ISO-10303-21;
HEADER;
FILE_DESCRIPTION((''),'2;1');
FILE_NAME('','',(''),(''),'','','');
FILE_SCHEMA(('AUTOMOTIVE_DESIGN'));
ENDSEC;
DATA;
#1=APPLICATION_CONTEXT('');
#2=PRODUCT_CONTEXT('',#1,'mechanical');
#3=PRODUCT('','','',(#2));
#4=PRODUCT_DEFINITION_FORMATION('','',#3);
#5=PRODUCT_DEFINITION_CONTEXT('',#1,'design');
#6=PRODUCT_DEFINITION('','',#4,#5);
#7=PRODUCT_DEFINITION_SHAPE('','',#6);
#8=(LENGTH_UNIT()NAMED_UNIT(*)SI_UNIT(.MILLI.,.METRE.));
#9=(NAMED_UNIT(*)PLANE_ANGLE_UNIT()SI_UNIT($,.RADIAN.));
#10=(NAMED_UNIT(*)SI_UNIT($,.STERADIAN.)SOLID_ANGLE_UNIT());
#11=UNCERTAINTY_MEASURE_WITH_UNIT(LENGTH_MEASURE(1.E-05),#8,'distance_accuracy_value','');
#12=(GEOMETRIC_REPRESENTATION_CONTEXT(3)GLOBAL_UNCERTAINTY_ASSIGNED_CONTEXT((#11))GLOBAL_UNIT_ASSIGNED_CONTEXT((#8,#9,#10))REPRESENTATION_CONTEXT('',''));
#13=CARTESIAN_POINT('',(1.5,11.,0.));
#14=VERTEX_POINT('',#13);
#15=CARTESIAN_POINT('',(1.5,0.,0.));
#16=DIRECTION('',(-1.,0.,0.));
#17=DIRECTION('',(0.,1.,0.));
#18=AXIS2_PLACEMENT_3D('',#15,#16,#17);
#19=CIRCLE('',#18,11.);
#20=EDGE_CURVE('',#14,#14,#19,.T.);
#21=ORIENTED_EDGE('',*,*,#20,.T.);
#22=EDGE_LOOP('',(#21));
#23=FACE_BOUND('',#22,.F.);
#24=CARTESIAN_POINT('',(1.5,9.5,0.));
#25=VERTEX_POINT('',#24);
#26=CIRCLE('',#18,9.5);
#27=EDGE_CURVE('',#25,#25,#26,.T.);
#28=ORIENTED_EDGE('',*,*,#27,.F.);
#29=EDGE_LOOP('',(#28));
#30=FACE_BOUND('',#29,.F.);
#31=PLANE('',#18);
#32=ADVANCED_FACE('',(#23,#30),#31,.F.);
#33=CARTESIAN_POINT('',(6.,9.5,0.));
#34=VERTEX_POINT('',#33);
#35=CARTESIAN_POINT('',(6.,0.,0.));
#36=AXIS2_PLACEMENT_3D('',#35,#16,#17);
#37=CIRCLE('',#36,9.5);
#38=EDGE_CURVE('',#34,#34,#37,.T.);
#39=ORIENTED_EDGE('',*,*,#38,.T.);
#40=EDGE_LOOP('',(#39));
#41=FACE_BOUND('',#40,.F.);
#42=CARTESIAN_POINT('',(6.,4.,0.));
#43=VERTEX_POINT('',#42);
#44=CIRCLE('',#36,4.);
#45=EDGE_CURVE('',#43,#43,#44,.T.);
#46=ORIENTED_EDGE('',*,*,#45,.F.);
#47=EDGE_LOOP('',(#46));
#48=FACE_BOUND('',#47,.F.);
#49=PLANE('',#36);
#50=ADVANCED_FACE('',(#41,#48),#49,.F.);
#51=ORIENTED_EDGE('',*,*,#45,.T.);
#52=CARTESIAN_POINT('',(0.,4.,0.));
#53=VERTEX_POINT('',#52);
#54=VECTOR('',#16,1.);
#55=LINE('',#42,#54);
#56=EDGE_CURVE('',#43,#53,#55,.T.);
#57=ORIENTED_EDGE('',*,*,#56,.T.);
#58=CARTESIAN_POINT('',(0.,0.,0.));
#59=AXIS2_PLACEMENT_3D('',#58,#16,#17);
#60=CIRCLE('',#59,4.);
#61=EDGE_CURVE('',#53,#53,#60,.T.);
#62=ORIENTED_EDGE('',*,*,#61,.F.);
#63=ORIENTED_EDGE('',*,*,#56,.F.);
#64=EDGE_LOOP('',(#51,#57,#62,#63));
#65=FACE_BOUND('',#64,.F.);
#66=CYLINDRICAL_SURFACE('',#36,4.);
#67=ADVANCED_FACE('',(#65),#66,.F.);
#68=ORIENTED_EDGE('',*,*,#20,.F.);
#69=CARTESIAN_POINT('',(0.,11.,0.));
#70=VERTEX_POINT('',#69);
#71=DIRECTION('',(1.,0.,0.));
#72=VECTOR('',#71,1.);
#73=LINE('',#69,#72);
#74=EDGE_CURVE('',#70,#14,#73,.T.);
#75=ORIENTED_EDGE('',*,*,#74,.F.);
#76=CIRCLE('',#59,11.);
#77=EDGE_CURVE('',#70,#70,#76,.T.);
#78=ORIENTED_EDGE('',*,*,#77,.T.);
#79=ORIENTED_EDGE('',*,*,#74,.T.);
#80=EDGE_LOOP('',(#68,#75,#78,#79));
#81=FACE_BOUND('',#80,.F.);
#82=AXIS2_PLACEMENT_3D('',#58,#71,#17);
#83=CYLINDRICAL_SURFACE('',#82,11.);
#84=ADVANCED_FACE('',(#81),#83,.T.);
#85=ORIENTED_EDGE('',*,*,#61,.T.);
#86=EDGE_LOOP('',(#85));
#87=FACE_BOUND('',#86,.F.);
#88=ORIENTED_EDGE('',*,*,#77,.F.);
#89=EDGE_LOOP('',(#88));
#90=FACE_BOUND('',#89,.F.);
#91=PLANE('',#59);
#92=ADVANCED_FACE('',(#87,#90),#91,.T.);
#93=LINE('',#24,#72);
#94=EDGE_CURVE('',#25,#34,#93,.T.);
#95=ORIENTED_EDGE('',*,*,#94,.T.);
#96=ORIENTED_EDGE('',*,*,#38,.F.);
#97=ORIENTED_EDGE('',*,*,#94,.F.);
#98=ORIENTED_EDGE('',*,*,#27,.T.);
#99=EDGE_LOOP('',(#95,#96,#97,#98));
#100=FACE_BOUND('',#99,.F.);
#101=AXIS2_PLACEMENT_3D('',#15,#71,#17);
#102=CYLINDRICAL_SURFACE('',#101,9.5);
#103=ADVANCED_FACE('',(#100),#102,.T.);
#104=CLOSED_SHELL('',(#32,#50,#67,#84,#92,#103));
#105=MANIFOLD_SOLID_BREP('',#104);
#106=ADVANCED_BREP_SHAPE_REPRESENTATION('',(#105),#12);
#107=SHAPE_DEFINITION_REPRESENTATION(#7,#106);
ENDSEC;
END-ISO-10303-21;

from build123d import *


with BuildPart() as part:
    # Sketch1 → Revolve1 (revolve)
    with BuildSketch(Plane(origin=(0, 0, 0), x_dir=(-1, 0, 0), z_dir=(0, 0, -1))):
        Polygon((-1.5, 9.5), (-6, 9.5), (-6, 4), (0, 4), (0, 11), (-1.5, 11), align=None)
    revolve(axis=Axis((6, 0, 0), (-1, 0, 0)))


solid = part.part
